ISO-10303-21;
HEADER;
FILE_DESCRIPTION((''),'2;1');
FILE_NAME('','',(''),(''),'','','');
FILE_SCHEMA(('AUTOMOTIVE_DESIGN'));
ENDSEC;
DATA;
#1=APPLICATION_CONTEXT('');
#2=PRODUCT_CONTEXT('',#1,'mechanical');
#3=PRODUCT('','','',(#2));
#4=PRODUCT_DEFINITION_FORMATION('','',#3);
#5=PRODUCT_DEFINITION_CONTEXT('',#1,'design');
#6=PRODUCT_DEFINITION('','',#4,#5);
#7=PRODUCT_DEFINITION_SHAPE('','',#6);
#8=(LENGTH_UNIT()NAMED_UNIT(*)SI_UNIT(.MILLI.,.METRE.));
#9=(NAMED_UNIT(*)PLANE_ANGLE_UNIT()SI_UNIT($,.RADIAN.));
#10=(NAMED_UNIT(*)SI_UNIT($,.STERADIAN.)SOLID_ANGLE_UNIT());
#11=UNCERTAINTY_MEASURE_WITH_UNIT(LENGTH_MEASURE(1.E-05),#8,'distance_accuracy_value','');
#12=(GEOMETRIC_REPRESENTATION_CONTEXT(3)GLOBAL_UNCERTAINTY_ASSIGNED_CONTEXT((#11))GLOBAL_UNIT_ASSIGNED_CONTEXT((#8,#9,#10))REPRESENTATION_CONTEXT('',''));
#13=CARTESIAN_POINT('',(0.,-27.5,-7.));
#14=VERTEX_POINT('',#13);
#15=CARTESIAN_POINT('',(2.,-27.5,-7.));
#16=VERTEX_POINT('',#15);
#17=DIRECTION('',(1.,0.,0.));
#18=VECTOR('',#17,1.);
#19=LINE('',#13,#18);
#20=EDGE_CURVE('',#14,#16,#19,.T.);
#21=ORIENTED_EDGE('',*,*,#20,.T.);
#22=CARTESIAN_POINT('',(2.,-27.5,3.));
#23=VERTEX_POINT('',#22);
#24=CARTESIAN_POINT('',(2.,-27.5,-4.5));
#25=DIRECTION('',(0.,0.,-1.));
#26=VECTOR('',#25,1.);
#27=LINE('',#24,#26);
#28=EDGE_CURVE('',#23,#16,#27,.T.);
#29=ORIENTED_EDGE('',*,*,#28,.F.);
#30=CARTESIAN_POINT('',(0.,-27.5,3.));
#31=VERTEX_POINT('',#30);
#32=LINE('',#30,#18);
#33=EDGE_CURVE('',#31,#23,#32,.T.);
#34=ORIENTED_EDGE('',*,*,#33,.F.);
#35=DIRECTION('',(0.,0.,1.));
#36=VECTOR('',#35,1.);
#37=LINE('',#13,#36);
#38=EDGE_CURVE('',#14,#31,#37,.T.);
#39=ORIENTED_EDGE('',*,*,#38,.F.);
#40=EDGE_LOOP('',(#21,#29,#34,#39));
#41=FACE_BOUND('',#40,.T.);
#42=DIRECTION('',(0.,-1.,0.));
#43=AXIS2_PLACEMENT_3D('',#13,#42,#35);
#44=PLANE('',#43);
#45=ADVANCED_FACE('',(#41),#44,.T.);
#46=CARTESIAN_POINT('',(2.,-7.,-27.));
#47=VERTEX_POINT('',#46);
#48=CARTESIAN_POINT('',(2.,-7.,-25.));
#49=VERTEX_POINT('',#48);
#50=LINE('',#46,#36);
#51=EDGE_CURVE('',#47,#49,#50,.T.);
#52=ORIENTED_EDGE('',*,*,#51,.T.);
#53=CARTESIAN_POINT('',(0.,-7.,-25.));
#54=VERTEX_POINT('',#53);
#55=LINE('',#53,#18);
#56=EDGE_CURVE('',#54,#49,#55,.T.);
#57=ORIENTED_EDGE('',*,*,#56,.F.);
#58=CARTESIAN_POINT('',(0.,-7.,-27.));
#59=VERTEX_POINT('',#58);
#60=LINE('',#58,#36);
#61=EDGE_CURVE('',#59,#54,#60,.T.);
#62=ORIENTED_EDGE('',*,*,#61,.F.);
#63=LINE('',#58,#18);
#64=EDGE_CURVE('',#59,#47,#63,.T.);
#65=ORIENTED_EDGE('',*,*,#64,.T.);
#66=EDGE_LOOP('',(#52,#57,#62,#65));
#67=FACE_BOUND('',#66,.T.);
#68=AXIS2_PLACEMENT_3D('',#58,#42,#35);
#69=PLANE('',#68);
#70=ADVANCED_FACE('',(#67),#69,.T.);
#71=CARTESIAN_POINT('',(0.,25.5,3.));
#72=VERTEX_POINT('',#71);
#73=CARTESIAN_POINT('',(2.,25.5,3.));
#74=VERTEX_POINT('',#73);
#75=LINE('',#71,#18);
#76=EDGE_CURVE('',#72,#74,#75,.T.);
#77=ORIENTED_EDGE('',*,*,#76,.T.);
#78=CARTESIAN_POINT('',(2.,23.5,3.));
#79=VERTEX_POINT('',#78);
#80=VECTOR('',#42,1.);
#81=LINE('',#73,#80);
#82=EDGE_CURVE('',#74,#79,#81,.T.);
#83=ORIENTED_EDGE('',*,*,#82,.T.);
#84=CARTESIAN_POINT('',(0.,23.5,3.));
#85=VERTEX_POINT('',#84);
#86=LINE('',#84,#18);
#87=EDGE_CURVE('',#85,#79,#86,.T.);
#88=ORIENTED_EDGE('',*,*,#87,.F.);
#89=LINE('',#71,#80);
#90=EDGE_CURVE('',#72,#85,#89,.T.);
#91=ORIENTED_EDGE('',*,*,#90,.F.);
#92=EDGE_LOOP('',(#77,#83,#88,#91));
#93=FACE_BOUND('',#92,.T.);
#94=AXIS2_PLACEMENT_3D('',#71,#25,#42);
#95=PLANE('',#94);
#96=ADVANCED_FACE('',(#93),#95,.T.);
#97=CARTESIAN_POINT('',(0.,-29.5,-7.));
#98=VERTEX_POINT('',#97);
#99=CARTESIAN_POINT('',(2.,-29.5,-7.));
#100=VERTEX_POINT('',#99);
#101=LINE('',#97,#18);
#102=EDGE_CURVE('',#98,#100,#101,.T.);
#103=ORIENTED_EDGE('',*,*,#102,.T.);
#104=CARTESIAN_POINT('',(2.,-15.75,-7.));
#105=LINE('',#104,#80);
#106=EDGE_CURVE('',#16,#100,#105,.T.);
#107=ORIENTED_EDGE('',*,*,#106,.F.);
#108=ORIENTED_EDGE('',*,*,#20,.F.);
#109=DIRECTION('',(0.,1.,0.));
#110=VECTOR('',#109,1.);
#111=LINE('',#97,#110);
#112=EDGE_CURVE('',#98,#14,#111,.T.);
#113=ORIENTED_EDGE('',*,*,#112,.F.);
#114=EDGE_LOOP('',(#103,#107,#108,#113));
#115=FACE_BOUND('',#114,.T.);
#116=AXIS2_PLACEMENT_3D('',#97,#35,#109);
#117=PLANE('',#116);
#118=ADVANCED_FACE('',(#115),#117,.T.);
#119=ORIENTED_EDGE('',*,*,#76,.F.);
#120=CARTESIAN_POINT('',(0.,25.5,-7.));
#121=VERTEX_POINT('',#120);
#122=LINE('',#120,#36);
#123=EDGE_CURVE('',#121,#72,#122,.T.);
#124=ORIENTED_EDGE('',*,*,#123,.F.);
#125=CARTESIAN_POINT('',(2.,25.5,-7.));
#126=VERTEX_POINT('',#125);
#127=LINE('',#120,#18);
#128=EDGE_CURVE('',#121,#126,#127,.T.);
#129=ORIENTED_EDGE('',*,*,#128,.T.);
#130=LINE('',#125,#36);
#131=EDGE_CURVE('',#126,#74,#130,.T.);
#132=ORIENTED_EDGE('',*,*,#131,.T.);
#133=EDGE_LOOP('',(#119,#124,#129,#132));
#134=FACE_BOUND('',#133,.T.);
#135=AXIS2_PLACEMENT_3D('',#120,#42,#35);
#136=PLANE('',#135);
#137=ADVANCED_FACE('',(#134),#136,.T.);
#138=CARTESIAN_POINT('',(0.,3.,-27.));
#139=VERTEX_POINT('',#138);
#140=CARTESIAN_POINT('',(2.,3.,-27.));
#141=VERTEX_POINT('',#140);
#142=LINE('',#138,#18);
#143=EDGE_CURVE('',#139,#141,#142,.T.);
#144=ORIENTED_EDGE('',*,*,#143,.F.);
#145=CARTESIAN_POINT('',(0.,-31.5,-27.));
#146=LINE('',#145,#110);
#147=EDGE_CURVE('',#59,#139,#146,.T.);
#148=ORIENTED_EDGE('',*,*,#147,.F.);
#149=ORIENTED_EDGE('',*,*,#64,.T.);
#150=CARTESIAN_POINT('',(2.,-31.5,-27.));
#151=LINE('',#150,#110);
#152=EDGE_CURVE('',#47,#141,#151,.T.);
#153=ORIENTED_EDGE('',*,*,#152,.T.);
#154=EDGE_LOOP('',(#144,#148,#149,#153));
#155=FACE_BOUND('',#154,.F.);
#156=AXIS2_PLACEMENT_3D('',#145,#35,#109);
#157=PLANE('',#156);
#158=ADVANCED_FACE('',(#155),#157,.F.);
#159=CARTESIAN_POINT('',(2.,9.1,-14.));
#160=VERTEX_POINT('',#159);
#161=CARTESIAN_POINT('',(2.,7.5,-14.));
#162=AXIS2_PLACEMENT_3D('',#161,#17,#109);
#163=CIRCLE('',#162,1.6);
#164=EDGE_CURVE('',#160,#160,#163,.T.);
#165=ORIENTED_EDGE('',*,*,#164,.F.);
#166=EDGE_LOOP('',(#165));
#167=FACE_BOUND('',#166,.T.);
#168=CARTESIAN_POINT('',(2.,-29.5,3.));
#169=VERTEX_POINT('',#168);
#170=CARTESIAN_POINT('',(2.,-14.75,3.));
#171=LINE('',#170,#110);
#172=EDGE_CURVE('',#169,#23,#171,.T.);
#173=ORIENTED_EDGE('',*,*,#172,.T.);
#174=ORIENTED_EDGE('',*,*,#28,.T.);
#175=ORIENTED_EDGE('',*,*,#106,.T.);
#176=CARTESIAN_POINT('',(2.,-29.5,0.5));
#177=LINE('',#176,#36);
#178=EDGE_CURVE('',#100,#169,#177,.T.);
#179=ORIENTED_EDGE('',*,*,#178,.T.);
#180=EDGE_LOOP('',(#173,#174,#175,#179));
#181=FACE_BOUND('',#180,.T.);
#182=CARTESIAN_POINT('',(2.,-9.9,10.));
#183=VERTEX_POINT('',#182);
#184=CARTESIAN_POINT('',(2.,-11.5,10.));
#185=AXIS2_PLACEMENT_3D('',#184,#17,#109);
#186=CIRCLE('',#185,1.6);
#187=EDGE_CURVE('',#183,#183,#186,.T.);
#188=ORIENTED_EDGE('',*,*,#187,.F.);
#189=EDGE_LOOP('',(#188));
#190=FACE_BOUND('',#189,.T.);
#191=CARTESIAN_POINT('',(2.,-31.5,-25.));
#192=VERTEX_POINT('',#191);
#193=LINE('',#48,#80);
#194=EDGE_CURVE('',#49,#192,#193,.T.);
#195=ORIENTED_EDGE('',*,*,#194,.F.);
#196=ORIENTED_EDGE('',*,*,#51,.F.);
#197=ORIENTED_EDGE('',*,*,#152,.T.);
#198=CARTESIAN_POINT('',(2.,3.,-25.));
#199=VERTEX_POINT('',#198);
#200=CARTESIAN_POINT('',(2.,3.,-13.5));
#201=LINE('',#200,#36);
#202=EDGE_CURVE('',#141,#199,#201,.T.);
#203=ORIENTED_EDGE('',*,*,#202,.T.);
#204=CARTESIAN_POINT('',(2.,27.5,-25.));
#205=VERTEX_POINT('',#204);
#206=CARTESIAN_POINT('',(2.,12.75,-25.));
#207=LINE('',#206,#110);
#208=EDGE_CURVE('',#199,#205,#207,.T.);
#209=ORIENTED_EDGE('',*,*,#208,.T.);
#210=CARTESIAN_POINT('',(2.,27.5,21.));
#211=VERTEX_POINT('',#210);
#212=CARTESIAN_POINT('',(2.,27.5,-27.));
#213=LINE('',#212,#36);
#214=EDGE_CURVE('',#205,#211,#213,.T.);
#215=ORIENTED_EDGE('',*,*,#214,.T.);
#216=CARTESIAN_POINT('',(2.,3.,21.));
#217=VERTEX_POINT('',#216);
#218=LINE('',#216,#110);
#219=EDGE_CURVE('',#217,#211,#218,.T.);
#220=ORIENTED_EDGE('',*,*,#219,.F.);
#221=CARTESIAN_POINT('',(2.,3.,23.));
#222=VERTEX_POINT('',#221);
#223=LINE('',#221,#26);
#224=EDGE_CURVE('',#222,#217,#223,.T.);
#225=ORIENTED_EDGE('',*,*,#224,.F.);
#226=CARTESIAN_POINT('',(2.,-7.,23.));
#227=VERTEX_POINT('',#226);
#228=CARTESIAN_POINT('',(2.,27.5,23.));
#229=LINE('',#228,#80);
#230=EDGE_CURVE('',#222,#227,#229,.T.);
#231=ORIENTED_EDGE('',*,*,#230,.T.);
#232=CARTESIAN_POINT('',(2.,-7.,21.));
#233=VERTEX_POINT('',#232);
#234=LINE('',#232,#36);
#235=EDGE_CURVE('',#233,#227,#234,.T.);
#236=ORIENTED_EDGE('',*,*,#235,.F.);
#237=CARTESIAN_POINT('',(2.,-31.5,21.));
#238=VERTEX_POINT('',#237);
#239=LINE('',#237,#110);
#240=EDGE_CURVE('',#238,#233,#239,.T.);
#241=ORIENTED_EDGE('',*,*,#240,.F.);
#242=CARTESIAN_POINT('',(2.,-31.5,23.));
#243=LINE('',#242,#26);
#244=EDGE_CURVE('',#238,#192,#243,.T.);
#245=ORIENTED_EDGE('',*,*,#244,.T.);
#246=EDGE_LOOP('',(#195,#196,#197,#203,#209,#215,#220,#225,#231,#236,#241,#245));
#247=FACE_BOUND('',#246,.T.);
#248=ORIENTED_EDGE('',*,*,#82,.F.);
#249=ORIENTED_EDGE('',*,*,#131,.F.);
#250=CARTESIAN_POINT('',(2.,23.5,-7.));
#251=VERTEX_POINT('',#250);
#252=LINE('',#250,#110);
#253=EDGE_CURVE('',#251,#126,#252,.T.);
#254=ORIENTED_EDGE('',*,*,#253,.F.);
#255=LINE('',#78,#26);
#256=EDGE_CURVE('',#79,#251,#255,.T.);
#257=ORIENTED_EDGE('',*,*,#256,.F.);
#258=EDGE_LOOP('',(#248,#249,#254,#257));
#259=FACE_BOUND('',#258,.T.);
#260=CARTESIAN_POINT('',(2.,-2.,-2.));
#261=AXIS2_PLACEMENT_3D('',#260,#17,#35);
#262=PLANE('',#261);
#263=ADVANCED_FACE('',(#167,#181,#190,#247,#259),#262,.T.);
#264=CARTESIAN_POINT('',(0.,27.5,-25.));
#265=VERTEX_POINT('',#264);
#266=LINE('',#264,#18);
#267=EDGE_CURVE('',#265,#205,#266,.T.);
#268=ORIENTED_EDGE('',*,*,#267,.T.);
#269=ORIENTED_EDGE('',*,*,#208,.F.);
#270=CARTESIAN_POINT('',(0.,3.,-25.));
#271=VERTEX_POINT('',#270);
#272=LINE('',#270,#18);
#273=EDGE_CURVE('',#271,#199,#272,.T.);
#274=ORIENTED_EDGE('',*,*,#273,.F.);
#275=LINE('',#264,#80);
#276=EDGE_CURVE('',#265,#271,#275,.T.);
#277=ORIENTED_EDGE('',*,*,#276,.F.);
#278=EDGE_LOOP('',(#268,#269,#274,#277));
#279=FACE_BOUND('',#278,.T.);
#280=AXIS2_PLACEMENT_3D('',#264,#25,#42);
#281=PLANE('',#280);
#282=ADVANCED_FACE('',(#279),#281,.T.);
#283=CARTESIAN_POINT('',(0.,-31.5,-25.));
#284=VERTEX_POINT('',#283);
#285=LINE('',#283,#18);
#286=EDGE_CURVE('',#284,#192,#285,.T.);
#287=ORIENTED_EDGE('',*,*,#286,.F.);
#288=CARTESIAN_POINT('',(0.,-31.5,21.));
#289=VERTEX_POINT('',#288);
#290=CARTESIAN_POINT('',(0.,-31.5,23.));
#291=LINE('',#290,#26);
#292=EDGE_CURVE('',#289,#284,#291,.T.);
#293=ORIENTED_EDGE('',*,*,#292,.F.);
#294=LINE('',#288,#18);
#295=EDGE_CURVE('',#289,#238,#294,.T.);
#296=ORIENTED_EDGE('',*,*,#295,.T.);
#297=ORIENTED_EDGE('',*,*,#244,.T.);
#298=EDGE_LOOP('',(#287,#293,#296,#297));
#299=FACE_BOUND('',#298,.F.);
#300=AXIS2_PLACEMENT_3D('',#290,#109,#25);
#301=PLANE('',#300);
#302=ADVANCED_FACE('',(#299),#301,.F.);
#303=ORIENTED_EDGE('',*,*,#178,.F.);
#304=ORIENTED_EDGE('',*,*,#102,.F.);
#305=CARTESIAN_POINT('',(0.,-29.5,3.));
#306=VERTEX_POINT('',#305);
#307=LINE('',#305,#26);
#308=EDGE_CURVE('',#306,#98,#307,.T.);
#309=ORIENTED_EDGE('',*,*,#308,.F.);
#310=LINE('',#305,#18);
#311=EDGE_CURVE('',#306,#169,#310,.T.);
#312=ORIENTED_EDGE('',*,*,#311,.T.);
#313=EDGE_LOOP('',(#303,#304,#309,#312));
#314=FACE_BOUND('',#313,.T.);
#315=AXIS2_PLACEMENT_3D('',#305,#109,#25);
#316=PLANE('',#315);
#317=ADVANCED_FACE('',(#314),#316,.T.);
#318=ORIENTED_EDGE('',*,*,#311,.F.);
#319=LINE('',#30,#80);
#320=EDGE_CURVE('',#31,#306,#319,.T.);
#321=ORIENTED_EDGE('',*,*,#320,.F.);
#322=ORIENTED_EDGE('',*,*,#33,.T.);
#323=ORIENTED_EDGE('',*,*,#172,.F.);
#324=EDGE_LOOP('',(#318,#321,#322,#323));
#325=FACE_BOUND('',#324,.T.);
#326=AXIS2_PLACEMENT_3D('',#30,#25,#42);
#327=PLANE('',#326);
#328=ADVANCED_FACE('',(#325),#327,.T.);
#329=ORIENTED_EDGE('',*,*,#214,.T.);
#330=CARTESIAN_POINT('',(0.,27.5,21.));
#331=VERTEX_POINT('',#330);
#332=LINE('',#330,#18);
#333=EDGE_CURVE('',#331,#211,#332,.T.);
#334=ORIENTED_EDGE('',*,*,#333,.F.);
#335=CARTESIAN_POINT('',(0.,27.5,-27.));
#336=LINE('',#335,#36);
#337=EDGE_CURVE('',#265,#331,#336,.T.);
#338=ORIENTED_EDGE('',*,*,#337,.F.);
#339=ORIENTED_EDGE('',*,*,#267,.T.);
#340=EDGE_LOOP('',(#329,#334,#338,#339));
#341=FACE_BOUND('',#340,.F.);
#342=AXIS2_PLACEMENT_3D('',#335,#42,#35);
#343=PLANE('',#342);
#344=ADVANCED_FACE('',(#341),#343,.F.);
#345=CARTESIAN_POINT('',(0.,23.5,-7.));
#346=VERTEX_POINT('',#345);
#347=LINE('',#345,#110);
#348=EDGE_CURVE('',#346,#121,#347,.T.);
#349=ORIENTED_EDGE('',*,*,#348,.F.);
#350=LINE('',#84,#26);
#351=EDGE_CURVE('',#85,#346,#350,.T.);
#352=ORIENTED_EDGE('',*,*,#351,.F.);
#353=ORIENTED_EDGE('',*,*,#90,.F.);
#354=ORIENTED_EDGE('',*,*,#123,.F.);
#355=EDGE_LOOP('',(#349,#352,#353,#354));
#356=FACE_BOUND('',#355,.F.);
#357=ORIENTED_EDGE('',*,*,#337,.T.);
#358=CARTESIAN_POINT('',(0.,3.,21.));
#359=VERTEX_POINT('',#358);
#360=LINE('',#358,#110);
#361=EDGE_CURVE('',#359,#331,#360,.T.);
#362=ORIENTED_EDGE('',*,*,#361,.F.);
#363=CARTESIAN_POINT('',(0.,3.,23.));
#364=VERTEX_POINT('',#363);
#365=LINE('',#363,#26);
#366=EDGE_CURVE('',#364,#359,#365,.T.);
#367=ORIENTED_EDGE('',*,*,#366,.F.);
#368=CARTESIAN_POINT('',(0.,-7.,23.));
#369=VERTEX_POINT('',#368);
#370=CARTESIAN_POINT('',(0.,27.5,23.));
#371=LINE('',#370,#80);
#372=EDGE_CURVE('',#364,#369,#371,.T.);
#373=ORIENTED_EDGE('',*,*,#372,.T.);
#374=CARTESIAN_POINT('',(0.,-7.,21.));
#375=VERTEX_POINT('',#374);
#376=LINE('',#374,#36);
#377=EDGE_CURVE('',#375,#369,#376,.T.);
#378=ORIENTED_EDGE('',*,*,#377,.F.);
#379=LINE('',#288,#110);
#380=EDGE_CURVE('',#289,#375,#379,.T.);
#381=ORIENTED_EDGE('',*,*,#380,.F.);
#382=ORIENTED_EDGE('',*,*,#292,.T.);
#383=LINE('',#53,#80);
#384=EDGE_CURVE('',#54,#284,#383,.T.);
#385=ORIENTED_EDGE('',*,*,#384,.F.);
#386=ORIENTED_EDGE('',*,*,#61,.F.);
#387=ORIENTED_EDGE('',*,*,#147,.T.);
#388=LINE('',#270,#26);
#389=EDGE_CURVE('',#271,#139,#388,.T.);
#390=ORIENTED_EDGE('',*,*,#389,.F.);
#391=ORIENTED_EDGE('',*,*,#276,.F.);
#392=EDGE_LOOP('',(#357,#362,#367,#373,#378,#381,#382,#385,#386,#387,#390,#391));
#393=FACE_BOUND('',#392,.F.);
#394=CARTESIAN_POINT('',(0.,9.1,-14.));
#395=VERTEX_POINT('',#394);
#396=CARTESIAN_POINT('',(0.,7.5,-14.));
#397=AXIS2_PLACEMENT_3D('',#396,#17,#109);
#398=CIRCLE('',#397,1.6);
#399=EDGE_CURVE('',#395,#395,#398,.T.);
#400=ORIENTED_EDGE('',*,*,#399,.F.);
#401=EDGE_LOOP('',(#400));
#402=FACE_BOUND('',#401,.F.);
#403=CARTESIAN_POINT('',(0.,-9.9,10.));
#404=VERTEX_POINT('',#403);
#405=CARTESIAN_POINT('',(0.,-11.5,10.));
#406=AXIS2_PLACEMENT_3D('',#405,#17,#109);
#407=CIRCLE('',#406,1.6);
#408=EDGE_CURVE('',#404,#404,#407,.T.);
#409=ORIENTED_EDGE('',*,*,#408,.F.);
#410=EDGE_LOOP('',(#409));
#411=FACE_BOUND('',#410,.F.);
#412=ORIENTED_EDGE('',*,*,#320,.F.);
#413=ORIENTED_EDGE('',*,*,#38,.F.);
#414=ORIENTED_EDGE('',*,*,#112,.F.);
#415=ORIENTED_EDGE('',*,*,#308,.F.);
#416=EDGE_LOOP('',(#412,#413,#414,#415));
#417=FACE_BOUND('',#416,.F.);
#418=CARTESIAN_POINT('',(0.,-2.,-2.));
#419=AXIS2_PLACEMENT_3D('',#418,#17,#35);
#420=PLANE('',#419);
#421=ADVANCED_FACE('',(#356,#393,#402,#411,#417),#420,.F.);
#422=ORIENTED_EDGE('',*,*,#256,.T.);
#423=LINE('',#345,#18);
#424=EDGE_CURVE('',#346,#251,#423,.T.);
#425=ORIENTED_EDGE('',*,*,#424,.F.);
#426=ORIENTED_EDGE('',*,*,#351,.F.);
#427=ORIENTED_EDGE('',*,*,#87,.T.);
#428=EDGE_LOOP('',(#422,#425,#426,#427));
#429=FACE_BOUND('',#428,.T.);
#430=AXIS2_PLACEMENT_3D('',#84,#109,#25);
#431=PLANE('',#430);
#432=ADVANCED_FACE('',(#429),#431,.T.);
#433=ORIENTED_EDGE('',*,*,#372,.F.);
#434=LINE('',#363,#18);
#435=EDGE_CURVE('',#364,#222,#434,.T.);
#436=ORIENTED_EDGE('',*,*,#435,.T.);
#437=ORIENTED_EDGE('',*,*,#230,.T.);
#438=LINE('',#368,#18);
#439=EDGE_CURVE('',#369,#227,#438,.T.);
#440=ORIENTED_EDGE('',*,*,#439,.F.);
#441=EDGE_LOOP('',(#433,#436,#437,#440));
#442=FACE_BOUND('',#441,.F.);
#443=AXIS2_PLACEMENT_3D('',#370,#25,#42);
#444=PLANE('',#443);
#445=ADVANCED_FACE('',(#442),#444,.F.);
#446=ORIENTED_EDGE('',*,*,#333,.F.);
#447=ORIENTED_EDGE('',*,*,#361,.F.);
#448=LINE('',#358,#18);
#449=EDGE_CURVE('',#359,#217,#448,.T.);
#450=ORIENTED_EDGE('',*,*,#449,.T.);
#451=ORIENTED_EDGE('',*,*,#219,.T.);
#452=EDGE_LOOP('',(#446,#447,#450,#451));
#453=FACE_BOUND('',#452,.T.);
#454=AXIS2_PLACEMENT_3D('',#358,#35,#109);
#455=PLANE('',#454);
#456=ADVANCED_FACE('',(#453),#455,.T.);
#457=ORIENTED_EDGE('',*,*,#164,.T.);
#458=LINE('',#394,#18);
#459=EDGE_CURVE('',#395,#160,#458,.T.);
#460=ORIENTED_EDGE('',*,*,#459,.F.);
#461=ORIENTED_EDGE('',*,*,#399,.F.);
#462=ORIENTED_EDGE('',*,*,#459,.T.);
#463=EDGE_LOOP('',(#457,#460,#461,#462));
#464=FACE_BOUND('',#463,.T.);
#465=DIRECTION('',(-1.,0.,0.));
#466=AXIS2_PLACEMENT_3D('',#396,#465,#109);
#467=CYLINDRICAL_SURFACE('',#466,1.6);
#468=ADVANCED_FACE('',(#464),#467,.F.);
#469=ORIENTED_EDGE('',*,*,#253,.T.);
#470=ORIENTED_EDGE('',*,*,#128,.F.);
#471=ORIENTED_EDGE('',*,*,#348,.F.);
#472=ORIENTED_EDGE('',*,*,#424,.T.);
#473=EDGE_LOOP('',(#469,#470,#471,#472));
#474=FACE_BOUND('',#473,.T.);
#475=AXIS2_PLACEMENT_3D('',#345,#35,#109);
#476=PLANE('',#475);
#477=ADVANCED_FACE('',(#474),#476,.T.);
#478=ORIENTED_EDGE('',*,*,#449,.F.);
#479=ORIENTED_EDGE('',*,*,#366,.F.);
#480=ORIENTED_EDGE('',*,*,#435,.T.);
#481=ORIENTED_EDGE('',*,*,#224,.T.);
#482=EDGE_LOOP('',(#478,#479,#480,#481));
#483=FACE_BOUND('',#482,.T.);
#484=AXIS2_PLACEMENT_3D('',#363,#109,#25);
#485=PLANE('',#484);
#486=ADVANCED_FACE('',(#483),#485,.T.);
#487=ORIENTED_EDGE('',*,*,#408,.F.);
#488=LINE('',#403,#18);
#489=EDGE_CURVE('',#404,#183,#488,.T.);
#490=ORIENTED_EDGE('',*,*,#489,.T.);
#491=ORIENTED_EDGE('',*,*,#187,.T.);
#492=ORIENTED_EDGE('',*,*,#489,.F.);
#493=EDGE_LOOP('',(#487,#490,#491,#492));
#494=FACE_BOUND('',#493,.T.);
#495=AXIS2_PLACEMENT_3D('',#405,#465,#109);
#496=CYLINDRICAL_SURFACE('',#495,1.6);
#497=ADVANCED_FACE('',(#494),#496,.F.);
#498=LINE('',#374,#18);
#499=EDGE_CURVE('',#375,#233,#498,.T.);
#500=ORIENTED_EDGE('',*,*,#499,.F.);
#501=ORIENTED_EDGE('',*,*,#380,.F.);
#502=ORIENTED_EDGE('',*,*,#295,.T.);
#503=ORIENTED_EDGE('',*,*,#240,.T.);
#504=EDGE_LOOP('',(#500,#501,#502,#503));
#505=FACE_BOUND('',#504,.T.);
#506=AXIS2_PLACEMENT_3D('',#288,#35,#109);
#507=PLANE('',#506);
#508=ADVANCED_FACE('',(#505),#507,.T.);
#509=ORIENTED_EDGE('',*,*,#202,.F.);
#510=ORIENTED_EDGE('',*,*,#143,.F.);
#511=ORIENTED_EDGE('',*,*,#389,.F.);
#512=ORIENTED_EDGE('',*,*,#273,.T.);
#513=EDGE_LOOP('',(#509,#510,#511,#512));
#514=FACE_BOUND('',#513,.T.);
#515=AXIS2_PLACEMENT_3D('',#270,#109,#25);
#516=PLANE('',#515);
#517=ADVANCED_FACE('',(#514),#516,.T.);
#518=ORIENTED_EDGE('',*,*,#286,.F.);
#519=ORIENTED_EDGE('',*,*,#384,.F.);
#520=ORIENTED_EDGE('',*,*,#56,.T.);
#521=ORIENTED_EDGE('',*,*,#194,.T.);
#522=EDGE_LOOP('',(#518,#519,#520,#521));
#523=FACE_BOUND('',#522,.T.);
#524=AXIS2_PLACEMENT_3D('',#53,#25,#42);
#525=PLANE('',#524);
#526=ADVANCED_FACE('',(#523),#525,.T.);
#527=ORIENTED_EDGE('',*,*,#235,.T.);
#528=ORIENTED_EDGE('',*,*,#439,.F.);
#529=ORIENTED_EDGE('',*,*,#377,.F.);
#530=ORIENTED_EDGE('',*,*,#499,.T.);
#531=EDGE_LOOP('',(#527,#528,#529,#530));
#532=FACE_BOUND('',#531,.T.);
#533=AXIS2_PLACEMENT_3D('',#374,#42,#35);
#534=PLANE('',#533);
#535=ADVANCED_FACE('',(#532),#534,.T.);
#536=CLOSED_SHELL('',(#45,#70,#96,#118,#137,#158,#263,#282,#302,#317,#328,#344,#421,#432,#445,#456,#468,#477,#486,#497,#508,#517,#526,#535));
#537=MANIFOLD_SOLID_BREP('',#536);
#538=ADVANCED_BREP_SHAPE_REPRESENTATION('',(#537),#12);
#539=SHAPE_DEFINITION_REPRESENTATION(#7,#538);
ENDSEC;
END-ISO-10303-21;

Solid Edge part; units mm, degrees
sketch "Sketch1" plane through (0, 0, 0) normal (1, 0, 0) x (0, 1, 0)
  line L0 (27.5, -27) -> (27.5, 23)
  line L1 (27.5, 23) -> (-31.5, 23)
  line L2 (-31.5, 23) -> (-31.5, -27)
  line L3 (-31.5, -27) -> (27.5, -27)
extrude "Protrusion1" add sketch "Sketch1" along normal blind 2
sketch "Sketch2" plane through (0, 0, 0) normal (1, 0, 0) x (0, 1, 0)
  line L0 (-31.5, 21) -> (-7, 21)
  line L1 (-7, 21) -> (-7, 23)
  line L2 (-7, 23) -> (-31.5, 23)
  line L3 (-31.5, 23) -> (-31.5, 21)
extrude "ExtrudedCutout_1" cut sketch "Sketch2" along normal blind 2
sketch "Sketch3" plane through (0, 0, 0) normal (1, 0, 0) x (0, 1, 0)
  line L0 (3, 21) -> (27.5, 21)
  line L1 (27.5, 21) -> (27.5, 23)
  line L2 (27.5, 23) -> (3, 23)
  line L3 (3, 23) -> (3, 21)
extrude "ExtrudedCutout_2" cut sketch "Sketch3" along normal blind 2
sketch "Sketch4" plane through (0, 0, 0) normal (1, 0, 0) x (0, 1, 0)
  line L0 (23.5, 3) -> (23.5, -7)
  line L1 (23.5, -7) -> (25.5, -7)
  line L2 (25.5, -7) -> (25.5, 3)
  line L3 (25.5, 3) -> (23.5, 3)
extrude "ExtrudedCutout_3" cut sketch "Sketch4" along normal blind 2
sketch "Sketch5" plane through (0, 0, 0) normal (1, 0, 0) x (0, 1, 0)
  line L0 (27.5, -25) -> (3, -25)
  line L1 (3, -25) -> (3, -27)
  line L2 (3, -27) -> (27.5, -27)
  line L3 (27.5, -27) -> (27.5, -25)
extrude "ExtrudedCutout_4" cut sketch "Sketch5" along normal blind 4
sketch "Sketch6" plane through (0, 0, 0) normal (1, 0, 0) x (0, 1, 0)
  line L0 (-7, -25) -> (-31.5, -25)
  line L1 (-31.5, -25) -> (-31.5, -27)
  line L2 (-31.5, -27) -> (-7, -27)
  line L3 (-7, -27) -> (-7, -25)
extrude "ExtrudedCutout_5" cut sketch "Sketch6" along normal blind 2
sketch "Sketch7" plane through (0, 0, 0) normal (1, 0, 0) x (0, 1, 0)
  line L0 (-29.5, -7) -> (-27.5, -7)
  line L1 (-27.5, -7) -> (-27.5, 3)
  line L2 (-27.5, 3) -> (-29.5, 3)
  line L3 (-29.5, 3) -> (-29.5, -7)
extrude "ExtrudedCutout_6" cut sketch "Sketch7" along normal blind 4
sketch "Sketch8" plane through (0, 0, 0) normal (1, 0, 0) x (0, 1, 0)
  circle A0 centre (-11.5, 10) radius 1.6
  circle A1 centre (7.5, -14) radius 1.6
  dimension "D1" = 3.2
  dimension "D2" = 3.2
  dimension "D3" = 3.5
  dimension "D4" = 3.5
  dimension "D5" = 3.5
  dimension "D6" = 3.5
extrude "ExtrudedCutout_7" cut sketch "Sketch8" along normal blind 2
properties material "Acrylic, high impact grade"
